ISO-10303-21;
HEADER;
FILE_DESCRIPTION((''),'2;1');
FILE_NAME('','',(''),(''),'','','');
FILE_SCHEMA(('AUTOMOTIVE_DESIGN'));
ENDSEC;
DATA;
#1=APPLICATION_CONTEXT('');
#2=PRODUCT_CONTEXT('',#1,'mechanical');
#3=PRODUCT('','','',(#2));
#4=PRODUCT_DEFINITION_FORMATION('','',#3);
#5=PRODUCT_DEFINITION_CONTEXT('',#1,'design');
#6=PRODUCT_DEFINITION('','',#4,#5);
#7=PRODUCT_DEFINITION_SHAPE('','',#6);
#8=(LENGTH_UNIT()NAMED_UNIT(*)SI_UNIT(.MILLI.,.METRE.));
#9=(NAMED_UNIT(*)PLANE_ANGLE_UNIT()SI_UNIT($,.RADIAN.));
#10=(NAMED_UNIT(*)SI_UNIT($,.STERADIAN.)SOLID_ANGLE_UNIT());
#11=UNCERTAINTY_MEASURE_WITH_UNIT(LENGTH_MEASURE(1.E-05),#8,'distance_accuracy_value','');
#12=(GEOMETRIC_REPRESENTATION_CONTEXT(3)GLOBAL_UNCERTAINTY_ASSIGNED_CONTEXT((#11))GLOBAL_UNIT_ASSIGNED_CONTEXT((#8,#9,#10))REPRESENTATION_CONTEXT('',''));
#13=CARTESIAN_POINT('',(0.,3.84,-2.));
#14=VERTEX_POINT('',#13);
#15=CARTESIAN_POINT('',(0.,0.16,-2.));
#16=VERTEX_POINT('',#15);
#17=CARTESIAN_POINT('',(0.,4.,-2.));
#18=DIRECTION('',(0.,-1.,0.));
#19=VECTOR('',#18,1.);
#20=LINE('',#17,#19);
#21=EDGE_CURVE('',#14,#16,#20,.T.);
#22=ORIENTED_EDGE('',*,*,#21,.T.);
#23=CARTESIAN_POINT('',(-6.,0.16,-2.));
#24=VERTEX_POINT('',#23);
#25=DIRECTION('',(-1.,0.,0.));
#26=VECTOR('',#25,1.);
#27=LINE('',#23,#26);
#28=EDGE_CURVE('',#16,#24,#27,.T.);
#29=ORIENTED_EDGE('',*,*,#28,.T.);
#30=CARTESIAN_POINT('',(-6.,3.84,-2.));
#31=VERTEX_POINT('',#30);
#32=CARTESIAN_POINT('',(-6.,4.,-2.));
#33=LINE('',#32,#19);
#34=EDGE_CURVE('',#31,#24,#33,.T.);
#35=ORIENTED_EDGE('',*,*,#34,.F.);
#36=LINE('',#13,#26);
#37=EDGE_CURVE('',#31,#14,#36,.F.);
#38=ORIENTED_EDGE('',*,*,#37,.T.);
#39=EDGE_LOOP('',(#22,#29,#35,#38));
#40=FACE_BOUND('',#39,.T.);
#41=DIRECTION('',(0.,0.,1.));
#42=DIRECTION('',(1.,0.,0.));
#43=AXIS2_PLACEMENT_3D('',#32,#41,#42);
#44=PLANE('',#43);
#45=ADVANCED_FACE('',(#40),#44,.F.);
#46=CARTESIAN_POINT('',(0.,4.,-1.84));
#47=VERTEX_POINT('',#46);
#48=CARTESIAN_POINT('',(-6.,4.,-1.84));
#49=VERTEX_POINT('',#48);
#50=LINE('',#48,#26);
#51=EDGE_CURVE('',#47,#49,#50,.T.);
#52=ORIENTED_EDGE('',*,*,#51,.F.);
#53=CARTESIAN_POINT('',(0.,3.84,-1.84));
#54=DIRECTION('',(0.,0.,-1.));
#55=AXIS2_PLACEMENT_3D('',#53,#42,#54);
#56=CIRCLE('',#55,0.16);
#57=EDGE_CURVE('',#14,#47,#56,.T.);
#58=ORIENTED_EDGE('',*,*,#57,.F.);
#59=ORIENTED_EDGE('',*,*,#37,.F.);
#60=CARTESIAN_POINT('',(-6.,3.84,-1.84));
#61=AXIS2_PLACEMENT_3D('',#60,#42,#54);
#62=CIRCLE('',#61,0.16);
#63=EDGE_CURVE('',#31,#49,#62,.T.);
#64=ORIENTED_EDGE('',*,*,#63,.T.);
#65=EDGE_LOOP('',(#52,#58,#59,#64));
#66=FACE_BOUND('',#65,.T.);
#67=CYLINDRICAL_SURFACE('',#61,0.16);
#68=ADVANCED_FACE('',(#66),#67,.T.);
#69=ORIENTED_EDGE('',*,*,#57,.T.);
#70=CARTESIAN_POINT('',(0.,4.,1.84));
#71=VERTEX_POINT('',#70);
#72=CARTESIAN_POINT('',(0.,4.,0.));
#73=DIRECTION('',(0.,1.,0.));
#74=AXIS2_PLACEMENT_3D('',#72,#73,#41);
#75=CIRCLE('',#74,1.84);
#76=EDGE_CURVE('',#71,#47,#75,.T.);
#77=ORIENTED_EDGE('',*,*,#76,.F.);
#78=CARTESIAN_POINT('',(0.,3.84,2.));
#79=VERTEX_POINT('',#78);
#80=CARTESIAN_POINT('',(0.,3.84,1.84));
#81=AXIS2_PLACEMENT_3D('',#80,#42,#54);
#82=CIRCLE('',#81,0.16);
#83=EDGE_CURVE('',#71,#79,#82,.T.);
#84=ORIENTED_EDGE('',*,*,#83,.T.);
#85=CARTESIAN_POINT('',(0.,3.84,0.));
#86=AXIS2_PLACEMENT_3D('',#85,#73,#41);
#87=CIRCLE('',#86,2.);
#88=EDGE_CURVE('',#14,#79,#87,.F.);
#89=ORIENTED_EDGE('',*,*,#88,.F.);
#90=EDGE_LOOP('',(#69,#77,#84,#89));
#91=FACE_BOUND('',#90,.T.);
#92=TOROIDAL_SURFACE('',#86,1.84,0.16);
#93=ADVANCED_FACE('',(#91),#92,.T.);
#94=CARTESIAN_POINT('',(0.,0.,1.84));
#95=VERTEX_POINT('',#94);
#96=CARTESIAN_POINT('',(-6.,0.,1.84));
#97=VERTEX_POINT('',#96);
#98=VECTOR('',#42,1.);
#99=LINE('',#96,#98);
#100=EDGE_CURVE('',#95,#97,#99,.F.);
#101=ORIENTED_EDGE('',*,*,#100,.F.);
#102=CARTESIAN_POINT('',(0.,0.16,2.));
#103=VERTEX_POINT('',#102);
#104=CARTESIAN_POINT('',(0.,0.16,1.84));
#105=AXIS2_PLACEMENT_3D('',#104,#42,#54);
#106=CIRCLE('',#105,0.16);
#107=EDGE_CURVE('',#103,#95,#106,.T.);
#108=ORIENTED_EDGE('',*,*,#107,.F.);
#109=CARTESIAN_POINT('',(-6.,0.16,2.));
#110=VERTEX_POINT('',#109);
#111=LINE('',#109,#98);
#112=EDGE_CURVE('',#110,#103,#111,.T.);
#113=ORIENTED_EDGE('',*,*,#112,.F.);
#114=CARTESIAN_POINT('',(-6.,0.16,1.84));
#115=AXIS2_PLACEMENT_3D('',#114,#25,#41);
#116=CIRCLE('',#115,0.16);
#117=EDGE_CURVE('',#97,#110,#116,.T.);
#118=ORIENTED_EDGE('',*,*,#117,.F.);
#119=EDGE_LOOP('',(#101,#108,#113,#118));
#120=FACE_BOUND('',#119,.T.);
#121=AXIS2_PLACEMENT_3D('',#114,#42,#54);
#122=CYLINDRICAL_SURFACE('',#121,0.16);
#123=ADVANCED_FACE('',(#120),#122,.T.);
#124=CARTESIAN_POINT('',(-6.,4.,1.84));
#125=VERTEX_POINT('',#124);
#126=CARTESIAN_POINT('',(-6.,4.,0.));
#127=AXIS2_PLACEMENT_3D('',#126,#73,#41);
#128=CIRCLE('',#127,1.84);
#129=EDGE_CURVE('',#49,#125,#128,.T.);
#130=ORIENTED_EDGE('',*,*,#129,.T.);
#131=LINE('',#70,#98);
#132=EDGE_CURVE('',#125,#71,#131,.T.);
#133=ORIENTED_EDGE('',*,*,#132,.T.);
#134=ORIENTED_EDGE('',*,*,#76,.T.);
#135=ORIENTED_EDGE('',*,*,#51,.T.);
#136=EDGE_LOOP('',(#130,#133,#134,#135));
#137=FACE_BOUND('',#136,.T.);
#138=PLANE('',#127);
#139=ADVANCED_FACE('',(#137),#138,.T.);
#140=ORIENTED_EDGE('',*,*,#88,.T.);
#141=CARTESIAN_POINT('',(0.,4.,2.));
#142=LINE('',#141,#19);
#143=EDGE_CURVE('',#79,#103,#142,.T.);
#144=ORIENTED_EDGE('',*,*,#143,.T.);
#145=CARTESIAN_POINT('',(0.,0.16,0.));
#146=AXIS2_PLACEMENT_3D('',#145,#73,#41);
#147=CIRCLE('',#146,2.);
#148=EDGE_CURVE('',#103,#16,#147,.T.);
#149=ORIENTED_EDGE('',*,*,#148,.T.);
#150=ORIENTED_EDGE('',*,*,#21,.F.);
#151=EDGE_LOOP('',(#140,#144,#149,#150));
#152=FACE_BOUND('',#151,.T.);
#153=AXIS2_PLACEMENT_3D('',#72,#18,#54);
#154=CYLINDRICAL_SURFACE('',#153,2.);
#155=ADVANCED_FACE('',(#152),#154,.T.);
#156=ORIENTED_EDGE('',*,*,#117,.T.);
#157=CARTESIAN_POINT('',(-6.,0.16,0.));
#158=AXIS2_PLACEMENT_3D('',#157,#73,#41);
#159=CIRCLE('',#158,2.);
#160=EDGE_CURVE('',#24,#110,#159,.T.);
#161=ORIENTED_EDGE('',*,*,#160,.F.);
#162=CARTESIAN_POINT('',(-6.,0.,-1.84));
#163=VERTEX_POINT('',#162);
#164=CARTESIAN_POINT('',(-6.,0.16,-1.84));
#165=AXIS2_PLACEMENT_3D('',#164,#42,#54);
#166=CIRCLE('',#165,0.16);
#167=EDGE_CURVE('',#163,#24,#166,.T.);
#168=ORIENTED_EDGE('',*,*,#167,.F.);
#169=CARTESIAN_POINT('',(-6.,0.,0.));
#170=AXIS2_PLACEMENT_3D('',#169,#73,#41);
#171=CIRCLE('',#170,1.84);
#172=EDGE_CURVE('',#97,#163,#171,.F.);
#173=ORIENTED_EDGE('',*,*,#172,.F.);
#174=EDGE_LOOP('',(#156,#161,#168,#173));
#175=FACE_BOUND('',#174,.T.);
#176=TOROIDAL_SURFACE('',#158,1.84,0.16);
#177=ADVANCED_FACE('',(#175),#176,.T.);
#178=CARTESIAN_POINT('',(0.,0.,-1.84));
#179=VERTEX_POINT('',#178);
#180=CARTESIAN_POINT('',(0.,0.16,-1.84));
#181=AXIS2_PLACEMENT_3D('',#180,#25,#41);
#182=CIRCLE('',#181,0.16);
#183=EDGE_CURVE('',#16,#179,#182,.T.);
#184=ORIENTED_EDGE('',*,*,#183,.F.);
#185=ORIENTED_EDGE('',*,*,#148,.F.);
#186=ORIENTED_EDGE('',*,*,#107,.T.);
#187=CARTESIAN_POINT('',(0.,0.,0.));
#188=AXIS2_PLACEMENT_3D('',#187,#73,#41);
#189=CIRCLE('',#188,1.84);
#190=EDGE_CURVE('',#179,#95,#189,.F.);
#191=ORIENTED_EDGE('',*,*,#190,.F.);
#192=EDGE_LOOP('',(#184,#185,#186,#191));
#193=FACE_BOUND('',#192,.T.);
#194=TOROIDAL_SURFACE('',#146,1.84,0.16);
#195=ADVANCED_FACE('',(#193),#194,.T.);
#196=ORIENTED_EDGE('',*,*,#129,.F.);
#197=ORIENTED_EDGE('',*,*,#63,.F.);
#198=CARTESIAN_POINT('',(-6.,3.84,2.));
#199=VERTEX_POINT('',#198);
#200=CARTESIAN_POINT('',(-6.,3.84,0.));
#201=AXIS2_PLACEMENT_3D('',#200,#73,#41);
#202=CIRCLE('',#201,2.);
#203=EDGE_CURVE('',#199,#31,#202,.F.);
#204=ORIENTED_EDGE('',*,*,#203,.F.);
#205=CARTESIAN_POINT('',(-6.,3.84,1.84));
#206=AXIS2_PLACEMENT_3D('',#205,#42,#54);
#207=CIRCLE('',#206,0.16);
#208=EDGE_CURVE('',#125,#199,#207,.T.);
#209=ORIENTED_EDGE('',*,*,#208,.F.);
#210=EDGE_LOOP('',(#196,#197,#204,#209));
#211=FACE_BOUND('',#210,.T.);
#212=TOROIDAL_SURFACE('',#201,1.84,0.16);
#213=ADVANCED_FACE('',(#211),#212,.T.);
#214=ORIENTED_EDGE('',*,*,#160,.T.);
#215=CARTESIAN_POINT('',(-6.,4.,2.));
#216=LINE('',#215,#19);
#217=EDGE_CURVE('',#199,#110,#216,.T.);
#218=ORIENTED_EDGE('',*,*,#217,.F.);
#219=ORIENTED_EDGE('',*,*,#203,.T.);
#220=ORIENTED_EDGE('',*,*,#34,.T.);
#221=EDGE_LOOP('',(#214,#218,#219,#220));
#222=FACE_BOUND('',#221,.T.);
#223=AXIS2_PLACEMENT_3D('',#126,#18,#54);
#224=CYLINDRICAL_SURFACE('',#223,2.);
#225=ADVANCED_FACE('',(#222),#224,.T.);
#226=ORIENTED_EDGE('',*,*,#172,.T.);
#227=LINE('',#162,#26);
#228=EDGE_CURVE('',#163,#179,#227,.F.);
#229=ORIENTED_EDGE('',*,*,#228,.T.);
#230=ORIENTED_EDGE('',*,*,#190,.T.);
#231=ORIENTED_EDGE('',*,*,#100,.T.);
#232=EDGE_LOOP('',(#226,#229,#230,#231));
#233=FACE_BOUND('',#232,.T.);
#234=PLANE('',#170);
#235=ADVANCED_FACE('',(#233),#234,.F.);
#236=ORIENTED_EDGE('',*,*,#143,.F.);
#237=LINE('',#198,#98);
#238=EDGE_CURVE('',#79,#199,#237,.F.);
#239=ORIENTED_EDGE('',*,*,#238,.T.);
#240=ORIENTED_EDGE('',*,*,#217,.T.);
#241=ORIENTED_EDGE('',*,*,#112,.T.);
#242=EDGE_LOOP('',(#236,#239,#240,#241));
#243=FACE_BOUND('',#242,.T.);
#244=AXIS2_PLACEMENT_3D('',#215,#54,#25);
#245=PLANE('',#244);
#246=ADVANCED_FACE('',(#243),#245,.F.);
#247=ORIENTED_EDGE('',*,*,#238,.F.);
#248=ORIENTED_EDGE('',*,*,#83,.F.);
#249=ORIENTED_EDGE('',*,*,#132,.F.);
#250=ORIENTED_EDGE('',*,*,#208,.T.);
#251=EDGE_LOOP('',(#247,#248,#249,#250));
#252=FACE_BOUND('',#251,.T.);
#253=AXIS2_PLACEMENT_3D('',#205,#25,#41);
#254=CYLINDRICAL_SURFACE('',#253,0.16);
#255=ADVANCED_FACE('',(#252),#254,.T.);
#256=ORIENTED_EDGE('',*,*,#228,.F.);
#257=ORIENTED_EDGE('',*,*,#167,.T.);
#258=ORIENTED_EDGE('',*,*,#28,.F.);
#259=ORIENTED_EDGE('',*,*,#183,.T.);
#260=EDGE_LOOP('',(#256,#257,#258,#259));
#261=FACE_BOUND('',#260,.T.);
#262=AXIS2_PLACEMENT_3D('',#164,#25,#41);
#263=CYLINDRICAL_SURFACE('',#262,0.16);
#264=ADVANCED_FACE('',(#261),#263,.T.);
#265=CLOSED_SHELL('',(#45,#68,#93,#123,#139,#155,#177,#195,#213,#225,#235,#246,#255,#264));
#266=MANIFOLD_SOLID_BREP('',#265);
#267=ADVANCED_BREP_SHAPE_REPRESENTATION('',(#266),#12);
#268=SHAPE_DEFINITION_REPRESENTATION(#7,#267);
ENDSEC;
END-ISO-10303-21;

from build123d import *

# Parameters (mm, degrees)
EXTRUDE1_DEPTH = 4
FILLET1_R      = 0.16


with BuildPart() as part:
    # Sketch1 → Extrude1 (new body)
    with BuildSketch(Plane(origin=(0, 0, 0), x_dir=(1, 0, 0), z_dir=(0, 1, 0))):
        with BuildLine():
            Line((-6, 2), (0, 2))
            ThreePointArc((0, 2), (2, 0), (0, -2))
            Line((0, -2), (-6, -2))
            ThreePointArc((-6, -2), (-8, 0), (-6, 2))
        make_face()
    extrude(amount=EXTRUDE1_DEPTH)

    # Fillet1
    fillet1_edges = [part.edges().sort_by_distance(p)[0] for p in [
        (2, 4, 0),
        (-3, 4, -2),
        (-8, 4, 0),
        (-3, 0, -2),
        (2, 0, 0),
        (-3, 0, 2),
        (-8, 0, 0),
        (-3, 4, 2),
    ]]
    fillet(fillet1_edges, radius=FILLET1_R)


solid = part.part
